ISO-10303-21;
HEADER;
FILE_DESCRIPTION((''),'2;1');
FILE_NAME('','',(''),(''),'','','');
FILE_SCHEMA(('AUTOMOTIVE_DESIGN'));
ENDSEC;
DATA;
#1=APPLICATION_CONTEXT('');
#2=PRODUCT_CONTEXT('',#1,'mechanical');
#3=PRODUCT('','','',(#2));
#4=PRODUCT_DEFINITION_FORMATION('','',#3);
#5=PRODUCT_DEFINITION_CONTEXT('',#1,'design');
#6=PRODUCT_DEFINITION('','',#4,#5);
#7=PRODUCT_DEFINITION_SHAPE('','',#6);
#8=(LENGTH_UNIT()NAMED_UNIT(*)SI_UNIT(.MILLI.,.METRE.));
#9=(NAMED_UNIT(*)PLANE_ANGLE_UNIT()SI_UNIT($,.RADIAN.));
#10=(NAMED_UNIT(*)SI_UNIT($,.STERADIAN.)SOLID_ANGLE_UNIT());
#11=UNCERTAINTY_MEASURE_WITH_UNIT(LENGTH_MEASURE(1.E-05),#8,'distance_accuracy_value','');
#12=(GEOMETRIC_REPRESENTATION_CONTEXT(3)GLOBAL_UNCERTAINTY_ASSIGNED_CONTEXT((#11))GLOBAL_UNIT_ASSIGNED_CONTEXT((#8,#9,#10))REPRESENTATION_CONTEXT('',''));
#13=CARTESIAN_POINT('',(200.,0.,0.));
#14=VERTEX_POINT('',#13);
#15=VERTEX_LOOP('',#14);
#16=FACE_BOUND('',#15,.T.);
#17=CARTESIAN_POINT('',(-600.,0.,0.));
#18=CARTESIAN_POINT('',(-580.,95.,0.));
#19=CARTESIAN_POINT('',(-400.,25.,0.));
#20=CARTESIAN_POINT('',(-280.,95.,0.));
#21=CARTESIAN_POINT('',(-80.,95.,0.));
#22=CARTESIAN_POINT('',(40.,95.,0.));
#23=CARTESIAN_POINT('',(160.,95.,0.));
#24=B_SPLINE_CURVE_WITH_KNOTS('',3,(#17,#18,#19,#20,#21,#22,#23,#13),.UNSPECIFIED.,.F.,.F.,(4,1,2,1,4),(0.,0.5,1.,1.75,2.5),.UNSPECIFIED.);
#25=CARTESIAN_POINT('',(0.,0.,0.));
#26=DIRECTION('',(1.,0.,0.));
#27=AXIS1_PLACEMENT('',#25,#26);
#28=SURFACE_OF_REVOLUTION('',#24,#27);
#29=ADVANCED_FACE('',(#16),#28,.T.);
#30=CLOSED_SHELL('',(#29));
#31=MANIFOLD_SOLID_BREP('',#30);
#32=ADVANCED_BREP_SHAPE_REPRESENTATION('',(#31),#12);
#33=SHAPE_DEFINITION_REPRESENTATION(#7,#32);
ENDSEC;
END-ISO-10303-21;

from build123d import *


with BuildPart() as part:
    # Sketch → Revolution (revolve)
    with BuildSketch(Plane.XY):
        with BuildLine():
            Line((-200, 0), (200, 0))
            add(Edge.make_bspline(
                [(-200, 95), (-80, 95), (40, 95), (160, 95), (200, 0)],
                knots=[0, 0, 0, 0, 0.5, 1, 1, 1, 1], degree=3))
            add(Edge.make_bspline(
                [(-600, 0), (-580, 95), (-400, 25), (-280, 95), (-200, 95)],
                knots=[0, 0, 0, 0, 0.5, 1, 1, 1, 1], degree=3))
            Line((-600, 0), (-200, 0))
        make_face()
    revolve(axis=Axis((0, 0, 0), (1, 0, 0)))


solid = part.part
